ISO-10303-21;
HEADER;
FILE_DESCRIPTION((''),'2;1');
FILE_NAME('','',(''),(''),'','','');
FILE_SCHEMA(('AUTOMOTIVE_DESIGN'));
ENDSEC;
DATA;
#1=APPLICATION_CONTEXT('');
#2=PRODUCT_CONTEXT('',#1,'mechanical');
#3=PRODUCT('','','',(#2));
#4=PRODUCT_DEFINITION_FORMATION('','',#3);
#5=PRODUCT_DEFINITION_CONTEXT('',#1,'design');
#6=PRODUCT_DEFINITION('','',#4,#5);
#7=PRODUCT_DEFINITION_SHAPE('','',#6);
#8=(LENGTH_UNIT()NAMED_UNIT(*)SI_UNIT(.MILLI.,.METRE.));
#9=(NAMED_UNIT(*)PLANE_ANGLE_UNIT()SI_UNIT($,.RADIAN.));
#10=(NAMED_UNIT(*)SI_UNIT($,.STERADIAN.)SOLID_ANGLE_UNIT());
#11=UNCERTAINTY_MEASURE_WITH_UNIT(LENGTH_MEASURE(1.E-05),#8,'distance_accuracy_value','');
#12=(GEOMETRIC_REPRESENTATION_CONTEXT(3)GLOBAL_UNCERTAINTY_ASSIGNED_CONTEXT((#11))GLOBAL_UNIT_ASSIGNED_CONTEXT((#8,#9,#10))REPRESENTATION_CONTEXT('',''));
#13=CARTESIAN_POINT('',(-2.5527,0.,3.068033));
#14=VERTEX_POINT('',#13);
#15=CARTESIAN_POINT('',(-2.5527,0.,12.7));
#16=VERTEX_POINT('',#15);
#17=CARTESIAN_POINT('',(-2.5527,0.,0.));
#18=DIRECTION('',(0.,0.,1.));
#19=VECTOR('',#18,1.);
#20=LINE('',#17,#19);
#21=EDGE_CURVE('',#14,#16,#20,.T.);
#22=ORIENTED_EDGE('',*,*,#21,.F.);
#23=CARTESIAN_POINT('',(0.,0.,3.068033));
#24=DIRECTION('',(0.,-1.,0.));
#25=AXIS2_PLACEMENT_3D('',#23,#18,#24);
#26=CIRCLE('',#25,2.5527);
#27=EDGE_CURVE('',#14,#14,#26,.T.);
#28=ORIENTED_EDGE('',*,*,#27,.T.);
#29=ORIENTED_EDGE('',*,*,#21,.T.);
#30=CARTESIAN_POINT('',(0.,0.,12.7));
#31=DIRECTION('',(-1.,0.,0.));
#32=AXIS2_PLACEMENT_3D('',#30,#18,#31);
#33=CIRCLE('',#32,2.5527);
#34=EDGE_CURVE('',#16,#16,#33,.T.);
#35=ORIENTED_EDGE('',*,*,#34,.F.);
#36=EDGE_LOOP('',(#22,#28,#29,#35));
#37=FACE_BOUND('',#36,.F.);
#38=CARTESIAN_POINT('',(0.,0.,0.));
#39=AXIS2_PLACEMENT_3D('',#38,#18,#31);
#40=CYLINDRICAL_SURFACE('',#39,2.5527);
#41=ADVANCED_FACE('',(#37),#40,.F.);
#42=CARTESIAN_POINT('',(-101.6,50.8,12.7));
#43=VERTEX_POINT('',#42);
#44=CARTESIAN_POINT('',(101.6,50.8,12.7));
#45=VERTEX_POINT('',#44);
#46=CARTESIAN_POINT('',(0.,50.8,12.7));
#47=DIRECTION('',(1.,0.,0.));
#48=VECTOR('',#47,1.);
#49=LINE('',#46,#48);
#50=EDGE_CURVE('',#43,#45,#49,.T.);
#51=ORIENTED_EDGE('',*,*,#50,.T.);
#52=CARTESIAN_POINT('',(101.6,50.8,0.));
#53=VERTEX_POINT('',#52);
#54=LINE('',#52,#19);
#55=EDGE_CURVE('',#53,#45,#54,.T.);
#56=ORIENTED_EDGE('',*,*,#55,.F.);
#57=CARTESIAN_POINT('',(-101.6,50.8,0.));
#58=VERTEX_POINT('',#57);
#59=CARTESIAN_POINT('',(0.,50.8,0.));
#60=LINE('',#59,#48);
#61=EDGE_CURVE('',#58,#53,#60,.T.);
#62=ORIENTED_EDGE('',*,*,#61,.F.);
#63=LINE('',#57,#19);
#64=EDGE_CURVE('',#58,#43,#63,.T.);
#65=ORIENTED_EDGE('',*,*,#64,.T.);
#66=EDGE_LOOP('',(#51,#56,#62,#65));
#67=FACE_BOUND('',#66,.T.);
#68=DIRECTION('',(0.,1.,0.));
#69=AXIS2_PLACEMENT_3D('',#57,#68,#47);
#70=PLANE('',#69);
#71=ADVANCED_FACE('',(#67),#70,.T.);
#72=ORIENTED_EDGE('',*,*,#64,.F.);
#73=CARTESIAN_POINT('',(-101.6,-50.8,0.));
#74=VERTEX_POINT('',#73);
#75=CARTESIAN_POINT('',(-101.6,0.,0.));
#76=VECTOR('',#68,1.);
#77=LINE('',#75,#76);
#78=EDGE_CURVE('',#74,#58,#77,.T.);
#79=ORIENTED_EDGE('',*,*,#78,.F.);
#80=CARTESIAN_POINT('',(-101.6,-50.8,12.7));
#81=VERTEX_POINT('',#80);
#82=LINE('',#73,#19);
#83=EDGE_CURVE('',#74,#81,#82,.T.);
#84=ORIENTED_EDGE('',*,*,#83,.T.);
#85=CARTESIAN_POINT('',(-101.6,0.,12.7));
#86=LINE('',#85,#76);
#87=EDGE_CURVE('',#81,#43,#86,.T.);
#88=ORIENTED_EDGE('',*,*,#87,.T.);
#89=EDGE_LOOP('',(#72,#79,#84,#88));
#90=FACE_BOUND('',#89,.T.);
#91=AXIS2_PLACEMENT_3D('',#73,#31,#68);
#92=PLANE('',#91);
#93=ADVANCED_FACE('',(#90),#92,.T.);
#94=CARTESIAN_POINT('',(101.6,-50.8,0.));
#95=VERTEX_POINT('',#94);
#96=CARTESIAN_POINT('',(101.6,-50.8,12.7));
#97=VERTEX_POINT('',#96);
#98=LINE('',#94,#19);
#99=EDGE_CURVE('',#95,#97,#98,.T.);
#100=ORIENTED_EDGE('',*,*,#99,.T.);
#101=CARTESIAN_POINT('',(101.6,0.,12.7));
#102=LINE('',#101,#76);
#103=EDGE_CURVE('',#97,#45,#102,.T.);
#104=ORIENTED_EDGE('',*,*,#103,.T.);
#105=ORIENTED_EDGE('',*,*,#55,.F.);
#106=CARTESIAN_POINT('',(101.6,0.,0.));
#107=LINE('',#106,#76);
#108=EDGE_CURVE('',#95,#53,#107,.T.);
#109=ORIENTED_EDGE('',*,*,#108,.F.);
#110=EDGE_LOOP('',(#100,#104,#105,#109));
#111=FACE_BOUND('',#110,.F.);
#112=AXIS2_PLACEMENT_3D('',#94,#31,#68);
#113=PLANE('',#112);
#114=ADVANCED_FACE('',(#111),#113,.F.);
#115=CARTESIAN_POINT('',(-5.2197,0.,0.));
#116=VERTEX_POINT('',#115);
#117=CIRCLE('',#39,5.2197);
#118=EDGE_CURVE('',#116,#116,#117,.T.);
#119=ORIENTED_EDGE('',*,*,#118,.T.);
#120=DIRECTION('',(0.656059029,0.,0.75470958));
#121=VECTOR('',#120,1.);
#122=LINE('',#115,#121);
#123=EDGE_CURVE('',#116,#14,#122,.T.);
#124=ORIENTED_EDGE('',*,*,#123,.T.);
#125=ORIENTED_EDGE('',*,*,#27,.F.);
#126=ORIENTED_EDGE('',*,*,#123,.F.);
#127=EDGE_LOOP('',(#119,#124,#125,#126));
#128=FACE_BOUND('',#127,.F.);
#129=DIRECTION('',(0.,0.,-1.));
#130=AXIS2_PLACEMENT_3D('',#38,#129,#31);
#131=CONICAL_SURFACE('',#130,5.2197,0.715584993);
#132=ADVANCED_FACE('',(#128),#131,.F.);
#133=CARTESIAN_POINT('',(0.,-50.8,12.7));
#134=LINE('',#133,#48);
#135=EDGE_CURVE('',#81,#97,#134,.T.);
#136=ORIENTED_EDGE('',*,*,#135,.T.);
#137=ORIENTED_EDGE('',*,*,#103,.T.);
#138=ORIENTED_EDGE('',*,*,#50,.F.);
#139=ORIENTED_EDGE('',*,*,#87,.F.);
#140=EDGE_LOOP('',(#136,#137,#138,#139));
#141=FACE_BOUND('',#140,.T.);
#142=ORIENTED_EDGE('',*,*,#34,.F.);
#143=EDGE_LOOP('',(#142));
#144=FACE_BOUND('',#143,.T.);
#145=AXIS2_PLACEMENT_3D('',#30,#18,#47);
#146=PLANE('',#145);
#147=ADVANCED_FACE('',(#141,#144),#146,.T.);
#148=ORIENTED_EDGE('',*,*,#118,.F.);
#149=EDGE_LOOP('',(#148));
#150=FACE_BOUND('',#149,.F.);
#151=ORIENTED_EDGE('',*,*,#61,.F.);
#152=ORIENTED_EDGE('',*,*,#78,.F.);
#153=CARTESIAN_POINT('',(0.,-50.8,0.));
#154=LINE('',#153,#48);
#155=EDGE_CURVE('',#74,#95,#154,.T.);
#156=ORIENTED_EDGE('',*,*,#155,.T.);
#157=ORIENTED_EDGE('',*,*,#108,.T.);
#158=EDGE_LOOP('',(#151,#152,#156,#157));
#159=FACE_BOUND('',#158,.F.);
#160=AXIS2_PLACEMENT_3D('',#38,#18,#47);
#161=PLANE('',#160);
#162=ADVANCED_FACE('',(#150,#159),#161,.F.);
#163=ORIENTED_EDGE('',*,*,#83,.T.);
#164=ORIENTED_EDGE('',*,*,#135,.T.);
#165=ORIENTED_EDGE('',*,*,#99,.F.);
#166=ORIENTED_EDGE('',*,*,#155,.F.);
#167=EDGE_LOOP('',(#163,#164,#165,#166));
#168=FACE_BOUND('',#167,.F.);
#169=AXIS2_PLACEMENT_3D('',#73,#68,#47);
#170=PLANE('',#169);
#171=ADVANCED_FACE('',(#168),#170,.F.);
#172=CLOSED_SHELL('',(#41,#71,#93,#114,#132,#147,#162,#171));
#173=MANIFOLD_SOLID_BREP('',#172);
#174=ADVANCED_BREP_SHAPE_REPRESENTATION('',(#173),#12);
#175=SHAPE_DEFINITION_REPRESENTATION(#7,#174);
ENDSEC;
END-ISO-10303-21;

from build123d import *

# Parameters (mm, degrees)
F0_W           = 203.2
F0_H           = 101.6
F1_DEPTH       = 12.7
F3_D           = 5.1054
F3_CSINK_D     = 10.4394
F3_CSINK_ANGLE = 82


with BuildPart() as f1:
    # F0 (on Top) → F1 (new body)
    with BuildSketch(Plane.XY):
        Rectangle(F0_W, F0_H)
    extrude(amount=F1_DEPTH)

    # F3 (through all)
    with Locations(Plane(origin=(0, 0, 0), x_dir=(1, 0, 0), z_dir=(0, 0, -1))):
        with Locations((0, 0)):
            CounterSinkHole(F3_D / 2, F3_CSINK_D / 2, counter_sink_angle=F3_CSINK_ANGLE)


solid = f1.part
